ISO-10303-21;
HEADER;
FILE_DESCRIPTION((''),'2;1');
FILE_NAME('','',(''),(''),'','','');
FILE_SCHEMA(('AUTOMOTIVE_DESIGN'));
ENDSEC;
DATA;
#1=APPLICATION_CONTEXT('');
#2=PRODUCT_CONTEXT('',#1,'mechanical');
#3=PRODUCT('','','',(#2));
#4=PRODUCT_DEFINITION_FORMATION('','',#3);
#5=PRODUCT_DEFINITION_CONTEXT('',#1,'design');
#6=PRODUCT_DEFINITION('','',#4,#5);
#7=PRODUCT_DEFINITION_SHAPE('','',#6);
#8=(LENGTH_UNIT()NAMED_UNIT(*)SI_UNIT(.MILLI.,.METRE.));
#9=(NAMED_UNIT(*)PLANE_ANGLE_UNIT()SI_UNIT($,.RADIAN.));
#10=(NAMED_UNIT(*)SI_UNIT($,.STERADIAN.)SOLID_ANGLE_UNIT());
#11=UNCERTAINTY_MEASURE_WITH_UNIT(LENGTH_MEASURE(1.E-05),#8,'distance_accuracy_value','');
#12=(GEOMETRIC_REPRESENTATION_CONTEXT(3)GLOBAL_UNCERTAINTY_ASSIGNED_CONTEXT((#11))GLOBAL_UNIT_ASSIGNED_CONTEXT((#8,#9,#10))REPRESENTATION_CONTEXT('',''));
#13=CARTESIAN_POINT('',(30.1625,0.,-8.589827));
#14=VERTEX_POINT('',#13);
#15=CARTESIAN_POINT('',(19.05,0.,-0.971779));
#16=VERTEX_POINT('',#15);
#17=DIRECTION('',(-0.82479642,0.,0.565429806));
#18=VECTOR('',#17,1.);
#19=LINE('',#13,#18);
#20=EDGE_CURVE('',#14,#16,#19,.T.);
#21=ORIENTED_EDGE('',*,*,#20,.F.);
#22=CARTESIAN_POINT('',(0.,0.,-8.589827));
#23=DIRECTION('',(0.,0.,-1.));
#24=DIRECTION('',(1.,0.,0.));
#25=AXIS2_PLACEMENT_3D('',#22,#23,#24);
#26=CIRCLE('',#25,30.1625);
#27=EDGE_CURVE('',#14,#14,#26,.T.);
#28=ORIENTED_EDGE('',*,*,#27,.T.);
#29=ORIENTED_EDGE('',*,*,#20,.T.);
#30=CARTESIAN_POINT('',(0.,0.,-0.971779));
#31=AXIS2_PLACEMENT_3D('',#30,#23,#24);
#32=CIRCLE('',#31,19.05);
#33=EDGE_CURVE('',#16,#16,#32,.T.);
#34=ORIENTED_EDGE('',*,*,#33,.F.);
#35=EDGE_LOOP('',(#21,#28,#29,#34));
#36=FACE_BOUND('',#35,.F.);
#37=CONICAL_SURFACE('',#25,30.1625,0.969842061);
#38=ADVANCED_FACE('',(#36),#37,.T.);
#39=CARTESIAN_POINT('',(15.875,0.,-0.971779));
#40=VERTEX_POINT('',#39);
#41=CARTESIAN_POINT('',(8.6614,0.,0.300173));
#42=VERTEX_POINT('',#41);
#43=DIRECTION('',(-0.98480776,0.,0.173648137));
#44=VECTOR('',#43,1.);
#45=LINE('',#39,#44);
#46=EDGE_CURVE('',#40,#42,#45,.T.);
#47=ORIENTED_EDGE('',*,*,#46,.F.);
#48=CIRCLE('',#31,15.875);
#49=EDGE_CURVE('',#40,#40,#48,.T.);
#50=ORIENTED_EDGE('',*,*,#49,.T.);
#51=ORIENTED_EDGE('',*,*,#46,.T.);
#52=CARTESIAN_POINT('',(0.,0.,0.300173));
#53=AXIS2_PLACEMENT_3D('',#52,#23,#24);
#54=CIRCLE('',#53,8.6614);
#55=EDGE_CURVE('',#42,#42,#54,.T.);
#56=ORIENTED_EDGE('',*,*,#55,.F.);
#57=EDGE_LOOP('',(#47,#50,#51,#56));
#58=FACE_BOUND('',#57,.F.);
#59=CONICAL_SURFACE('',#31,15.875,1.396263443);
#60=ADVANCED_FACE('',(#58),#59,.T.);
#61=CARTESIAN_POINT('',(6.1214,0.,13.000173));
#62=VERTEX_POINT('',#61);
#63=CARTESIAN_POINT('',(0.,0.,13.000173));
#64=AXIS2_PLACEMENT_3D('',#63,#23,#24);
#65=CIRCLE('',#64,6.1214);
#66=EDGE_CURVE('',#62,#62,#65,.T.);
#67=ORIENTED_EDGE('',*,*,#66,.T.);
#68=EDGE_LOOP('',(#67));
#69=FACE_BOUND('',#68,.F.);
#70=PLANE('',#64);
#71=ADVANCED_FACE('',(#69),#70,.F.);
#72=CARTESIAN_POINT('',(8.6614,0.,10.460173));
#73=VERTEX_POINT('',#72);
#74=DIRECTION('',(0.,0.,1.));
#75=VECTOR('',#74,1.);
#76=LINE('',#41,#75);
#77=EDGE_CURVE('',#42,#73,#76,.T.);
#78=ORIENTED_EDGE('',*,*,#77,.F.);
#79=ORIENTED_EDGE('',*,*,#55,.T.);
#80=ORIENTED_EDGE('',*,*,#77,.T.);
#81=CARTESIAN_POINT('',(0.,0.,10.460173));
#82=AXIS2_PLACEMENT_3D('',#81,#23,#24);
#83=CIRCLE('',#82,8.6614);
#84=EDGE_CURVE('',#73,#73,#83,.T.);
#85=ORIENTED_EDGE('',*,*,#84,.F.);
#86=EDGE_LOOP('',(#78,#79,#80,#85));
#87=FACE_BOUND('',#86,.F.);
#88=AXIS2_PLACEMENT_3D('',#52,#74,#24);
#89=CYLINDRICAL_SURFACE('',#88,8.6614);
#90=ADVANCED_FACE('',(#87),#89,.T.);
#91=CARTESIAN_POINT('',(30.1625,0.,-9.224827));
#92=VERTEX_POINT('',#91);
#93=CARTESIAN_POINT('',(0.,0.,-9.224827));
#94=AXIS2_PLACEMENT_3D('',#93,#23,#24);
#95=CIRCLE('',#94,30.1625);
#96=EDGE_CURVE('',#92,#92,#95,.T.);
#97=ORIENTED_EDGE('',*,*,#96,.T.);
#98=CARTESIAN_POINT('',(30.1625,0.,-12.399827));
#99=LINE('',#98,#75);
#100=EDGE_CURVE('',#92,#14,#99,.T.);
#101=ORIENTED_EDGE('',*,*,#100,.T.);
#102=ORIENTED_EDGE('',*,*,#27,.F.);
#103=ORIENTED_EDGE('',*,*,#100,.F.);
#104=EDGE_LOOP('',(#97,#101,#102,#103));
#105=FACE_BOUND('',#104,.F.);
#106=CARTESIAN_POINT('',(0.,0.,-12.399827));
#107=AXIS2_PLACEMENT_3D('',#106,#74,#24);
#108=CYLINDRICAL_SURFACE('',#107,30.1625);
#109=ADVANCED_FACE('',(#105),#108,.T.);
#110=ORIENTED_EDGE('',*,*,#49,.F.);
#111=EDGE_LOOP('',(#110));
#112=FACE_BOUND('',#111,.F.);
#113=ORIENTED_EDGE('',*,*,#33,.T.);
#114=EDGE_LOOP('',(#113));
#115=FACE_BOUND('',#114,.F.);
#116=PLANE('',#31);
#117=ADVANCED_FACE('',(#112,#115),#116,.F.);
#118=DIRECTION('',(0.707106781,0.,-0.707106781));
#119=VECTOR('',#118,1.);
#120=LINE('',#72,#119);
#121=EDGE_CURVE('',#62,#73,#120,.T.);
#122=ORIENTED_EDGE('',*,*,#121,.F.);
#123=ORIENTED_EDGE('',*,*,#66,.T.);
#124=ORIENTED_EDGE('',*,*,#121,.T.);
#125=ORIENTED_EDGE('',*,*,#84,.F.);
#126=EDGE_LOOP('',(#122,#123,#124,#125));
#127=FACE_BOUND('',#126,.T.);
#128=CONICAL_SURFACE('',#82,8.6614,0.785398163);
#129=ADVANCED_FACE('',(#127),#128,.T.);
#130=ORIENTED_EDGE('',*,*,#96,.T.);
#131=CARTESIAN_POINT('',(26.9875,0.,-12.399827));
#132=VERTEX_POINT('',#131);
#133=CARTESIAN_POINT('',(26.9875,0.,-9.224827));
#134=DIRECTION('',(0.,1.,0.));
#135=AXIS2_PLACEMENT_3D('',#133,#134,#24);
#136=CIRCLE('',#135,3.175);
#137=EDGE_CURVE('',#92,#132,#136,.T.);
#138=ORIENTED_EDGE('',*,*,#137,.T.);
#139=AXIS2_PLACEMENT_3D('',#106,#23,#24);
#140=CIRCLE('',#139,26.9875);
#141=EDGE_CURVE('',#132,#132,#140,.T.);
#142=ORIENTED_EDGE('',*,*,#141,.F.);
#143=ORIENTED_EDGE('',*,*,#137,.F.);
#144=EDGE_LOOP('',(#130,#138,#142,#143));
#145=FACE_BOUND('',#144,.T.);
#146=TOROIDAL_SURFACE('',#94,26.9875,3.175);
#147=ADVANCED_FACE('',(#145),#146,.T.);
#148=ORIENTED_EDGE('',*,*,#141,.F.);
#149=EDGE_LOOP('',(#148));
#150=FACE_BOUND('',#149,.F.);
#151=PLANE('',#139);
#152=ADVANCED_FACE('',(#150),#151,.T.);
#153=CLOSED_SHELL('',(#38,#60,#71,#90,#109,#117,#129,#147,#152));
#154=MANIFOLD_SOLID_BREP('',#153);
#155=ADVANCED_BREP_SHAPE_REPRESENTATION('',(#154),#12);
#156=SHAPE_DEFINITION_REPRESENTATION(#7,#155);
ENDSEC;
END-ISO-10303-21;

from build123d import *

# Parameters (mm, degrees)
F2_SIZE = 2.54
F3_R    = 3.175


with BuildPart() as f1:
    # F0 (on Front) → F1 (revolve)
    with BuildSketch(Plane.XZ):
        Polygon((8.6614, 13.000173), (0, 13.000173), (0, -12.399827), (30.1625, -12.399827), (30.1625, -8.589827), (19.05, -0.971779), (15.875, -0.971779), (8.6614, 0.300173), align=None)
    revolve(axis=Axis((0, 0, 1.824711), (0, 0, -1)))

    # F2
    f2_edges = [f1.edges().sort_by_distance(p)[0] for p in [
        (-8.6614, 0, 13.000173),
    ]]
    chamfer(f2_edges, length=F2_SIZE)

    # F3
    f3_edges = [f1.edges().sort_by_distance(p)[0] for p in [
        (-30.1625, 0, -12.399827),
    ]]
    fillet(f3_edges, radius=F3_R)


solid = f1.part
